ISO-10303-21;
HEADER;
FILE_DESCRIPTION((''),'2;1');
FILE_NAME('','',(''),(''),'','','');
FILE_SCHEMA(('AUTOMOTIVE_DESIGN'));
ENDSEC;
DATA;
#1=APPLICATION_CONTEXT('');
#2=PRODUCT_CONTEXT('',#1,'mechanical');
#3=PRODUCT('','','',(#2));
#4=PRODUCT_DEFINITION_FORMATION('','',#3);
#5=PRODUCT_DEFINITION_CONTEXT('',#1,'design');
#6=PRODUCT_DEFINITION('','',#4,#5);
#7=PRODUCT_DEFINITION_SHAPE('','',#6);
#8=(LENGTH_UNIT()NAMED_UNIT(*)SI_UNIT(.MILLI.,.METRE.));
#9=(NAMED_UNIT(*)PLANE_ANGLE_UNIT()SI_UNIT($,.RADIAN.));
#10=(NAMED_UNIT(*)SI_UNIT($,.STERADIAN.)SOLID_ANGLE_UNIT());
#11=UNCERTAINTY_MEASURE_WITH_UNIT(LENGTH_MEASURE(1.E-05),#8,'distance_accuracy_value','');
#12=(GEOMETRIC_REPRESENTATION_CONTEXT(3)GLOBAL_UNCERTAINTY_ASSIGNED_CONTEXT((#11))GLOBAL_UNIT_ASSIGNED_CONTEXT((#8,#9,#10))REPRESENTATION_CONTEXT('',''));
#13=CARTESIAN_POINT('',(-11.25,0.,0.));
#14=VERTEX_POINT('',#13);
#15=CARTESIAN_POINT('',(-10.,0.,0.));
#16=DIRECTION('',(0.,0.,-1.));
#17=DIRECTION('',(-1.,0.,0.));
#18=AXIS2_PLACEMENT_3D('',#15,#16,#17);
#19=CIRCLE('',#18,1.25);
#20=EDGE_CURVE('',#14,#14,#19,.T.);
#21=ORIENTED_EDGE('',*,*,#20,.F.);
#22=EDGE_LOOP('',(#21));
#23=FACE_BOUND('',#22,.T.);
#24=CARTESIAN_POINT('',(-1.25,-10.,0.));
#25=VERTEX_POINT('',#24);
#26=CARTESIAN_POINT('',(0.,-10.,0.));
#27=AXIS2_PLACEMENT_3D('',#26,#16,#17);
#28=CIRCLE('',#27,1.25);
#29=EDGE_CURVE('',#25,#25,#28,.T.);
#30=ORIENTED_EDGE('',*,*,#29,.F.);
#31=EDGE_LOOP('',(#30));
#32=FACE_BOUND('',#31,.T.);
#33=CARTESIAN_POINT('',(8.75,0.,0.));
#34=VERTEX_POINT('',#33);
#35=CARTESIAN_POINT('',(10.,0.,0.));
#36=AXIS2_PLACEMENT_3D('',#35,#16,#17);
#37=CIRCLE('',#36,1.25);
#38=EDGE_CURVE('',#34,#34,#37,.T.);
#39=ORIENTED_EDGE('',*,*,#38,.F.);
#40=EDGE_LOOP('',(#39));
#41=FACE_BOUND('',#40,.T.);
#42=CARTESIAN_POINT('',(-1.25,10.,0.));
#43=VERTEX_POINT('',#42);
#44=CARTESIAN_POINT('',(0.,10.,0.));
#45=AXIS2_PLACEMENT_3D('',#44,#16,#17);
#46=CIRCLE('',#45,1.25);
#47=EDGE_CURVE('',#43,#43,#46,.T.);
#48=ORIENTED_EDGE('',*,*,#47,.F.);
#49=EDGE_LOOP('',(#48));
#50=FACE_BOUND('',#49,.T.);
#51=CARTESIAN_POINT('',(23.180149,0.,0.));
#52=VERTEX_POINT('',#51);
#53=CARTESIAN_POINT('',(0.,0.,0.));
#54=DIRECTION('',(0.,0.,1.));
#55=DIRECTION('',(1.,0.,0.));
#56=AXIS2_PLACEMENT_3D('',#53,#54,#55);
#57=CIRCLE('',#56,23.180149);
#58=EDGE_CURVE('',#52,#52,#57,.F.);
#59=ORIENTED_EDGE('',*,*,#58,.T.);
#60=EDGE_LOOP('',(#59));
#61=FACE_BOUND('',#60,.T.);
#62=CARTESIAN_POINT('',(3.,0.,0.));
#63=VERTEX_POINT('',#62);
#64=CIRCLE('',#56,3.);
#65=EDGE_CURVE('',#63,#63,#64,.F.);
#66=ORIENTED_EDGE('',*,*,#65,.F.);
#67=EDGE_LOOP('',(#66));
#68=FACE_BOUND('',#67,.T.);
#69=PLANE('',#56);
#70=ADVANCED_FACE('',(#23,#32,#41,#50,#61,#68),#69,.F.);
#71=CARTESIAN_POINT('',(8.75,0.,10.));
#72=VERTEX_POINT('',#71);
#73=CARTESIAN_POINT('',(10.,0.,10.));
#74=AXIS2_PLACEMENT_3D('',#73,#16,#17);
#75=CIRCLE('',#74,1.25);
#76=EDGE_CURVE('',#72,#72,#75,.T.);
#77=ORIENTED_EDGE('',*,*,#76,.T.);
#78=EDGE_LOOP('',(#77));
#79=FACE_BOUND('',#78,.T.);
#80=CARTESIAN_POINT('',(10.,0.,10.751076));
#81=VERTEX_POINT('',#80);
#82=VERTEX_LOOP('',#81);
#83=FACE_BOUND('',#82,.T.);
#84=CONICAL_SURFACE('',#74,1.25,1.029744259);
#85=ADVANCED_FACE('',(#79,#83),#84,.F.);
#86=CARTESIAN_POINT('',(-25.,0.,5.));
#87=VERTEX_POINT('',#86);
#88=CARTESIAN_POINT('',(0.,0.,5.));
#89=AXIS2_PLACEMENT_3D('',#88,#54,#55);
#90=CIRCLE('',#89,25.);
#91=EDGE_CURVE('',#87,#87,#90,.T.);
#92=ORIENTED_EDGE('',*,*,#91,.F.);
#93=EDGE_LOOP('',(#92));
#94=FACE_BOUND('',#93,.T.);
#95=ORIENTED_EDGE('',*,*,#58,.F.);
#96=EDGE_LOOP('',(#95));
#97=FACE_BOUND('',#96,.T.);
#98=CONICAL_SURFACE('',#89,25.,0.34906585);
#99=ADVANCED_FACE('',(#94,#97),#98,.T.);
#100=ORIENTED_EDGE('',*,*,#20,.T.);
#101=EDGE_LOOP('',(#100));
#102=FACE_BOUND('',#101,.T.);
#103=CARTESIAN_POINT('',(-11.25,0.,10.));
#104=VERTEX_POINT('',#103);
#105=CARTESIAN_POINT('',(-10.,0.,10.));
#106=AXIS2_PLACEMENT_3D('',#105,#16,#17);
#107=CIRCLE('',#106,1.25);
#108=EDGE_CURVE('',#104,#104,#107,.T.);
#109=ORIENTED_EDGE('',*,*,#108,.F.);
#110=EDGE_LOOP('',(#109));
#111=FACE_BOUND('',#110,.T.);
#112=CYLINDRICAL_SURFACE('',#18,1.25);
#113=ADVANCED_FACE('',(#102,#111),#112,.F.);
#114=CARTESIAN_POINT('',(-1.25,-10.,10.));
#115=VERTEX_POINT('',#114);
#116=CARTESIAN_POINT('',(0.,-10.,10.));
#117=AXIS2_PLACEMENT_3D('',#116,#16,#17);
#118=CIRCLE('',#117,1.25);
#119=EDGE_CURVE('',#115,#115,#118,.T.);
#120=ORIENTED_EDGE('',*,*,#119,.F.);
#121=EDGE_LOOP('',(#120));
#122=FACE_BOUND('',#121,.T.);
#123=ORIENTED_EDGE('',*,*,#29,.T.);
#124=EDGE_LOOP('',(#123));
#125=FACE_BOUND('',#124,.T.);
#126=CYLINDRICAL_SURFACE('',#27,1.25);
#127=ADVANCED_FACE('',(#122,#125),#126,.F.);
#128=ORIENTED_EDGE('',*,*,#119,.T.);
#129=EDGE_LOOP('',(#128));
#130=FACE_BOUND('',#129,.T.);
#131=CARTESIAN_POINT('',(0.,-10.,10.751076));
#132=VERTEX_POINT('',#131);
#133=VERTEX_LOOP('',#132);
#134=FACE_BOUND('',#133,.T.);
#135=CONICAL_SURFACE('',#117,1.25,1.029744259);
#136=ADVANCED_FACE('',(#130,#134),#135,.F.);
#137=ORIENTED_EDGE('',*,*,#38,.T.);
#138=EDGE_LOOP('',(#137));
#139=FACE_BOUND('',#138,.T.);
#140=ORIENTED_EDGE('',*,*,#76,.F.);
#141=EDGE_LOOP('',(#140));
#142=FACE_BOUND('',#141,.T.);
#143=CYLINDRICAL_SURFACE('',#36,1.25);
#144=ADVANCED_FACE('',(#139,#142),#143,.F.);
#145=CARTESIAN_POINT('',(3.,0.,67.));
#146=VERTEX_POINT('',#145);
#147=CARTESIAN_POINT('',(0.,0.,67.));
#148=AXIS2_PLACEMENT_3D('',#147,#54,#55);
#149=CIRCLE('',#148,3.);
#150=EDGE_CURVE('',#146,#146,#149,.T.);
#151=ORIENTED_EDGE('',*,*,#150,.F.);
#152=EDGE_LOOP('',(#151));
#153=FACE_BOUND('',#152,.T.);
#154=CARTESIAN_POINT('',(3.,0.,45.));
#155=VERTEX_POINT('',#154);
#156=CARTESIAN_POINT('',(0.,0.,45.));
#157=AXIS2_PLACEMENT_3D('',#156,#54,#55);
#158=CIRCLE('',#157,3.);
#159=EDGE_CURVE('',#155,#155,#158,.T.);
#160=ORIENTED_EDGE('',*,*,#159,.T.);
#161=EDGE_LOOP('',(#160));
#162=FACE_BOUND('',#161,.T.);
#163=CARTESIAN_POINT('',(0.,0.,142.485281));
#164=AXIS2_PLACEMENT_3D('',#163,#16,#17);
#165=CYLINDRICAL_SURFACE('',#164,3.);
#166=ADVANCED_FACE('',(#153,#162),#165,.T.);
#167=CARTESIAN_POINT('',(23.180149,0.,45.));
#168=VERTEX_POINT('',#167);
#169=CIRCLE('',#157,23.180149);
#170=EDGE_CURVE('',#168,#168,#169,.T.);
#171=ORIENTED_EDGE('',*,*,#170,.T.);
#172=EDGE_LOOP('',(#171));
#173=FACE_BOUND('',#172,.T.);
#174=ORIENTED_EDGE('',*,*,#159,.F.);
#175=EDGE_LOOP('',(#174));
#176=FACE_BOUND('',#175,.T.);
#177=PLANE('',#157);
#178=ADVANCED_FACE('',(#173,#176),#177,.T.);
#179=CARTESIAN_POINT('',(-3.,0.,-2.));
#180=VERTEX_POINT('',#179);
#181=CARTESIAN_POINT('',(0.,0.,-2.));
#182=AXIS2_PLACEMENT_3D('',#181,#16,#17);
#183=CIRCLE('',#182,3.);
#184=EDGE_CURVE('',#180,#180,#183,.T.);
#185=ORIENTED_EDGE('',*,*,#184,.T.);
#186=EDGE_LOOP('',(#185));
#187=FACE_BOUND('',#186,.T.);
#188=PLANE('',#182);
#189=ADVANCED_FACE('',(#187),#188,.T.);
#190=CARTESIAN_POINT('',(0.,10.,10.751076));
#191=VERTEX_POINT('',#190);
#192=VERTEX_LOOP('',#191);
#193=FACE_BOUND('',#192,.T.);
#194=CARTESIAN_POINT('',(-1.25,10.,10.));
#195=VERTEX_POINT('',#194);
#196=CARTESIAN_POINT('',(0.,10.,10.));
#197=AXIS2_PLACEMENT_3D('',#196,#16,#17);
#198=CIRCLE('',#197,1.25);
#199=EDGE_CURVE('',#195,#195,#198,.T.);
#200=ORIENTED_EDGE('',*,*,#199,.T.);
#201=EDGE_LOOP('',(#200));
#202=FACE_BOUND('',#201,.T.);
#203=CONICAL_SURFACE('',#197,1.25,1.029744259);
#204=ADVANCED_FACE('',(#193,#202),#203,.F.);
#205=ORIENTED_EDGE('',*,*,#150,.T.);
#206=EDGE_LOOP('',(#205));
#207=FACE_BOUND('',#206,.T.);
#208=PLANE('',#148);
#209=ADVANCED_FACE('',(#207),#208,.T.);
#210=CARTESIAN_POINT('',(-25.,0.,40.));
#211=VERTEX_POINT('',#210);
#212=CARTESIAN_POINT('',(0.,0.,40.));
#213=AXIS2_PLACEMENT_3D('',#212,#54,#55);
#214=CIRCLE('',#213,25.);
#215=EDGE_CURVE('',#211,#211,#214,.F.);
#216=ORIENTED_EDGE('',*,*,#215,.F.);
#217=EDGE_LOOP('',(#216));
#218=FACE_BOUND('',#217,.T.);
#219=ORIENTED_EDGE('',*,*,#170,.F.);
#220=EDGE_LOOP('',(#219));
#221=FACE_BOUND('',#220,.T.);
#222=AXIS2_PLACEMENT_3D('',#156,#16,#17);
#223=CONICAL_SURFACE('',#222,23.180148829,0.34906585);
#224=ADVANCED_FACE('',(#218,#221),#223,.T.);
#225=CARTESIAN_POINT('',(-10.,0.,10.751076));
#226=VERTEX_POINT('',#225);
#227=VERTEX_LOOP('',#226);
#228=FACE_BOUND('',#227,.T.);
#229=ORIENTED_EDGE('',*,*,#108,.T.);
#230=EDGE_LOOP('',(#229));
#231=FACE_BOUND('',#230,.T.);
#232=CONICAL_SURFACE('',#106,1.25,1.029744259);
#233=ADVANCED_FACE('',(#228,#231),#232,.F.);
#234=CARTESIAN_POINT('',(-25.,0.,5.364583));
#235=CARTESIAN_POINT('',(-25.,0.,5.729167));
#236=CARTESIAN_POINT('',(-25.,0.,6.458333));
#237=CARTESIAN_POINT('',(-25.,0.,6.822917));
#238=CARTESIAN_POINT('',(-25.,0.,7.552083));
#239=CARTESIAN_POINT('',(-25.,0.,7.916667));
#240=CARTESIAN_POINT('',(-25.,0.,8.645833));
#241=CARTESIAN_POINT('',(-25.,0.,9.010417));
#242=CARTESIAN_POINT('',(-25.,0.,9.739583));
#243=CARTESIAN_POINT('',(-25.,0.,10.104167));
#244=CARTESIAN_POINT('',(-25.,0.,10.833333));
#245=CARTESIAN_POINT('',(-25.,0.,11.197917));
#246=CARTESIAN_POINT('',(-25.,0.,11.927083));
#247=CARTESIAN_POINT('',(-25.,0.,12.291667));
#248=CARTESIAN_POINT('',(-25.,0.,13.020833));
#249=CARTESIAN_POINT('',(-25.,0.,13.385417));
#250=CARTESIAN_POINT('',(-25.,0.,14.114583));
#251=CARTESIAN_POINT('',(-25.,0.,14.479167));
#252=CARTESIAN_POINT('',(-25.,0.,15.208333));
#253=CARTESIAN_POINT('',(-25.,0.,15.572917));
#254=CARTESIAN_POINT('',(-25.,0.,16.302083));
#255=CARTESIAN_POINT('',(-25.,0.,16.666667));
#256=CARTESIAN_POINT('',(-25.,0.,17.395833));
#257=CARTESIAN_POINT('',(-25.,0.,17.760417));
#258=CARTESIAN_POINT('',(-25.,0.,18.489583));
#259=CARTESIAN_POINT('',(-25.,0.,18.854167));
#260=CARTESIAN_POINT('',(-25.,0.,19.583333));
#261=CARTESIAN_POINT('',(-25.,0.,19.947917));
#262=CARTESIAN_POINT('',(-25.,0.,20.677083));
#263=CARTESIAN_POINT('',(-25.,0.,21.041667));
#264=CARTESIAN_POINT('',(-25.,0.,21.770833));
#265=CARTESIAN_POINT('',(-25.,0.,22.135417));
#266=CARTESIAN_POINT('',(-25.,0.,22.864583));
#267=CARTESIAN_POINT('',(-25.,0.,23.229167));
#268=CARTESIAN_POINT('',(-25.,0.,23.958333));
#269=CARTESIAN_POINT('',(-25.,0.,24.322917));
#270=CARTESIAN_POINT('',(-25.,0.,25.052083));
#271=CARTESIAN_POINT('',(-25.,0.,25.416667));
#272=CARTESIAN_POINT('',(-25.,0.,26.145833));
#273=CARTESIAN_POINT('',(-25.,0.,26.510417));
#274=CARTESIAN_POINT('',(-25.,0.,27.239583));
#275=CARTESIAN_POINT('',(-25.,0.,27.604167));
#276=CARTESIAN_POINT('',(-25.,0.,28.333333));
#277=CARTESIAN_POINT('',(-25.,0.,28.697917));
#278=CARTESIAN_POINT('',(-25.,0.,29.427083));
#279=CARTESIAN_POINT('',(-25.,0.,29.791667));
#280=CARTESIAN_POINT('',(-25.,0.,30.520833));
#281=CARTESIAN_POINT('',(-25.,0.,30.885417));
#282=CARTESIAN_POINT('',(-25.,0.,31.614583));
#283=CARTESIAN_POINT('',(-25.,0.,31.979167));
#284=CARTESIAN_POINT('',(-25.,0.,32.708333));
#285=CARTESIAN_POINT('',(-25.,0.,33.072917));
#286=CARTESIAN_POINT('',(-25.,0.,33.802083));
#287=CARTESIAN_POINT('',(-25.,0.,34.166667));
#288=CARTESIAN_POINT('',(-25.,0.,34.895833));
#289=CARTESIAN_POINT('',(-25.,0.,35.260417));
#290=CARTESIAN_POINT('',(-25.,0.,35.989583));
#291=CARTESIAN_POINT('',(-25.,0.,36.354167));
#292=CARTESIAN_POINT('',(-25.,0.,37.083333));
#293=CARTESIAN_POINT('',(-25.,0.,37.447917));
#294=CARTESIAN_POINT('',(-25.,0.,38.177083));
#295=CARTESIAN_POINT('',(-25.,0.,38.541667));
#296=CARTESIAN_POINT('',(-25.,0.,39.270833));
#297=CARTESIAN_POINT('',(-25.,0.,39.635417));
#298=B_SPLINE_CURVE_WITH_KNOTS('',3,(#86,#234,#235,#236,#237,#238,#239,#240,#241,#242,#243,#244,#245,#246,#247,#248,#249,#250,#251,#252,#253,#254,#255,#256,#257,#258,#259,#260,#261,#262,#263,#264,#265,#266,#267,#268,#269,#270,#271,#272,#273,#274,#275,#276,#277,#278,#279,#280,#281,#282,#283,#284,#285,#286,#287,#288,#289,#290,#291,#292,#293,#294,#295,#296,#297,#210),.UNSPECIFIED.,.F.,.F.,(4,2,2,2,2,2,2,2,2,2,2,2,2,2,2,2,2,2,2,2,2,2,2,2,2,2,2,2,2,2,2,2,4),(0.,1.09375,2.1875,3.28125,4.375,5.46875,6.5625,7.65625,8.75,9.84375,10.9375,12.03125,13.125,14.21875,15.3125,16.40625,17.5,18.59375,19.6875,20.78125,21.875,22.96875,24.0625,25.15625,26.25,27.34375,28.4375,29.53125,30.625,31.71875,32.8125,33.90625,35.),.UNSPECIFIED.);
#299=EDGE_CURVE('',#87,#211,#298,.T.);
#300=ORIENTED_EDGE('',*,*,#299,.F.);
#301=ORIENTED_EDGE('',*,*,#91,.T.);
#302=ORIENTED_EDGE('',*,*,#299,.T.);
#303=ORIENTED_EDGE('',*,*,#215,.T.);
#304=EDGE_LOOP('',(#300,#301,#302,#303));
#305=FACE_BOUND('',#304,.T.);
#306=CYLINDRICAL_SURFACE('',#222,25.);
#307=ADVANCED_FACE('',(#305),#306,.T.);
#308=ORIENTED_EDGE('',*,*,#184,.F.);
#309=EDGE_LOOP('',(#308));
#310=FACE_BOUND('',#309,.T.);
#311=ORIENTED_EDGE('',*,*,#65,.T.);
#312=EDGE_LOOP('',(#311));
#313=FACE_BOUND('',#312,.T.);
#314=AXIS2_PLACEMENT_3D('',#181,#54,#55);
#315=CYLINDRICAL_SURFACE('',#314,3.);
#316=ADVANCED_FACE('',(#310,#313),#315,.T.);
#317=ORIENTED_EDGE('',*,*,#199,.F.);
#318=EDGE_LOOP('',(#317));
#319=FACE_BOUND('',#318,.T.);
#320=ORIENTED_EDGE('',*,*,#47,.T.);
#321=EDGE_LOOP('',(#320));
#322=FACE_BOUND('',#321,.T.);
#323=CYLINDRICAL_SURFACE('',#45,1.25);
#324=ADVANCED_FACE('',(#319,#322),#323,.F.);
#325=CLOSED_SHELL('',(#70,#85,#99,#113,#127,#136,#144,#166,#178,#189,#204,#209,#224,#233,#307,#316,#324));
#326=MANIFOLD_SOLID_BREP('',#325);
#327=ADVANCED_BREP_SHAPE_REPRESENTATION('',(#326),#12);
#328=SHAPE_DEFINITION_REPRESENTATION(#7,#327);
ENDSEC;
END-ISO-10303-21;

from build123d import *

# Parameters (mm, degrees)
SKETCH1_R           = 25
BOSS_EXTRUDE1_DEPTH = 45
CHAMFER1_SIZE       = 5
CHAMFER1_SIZE2      = 1.819851171
SKETCH2_R           = 3
BOSS_EXTRUDE2_DEPTH = 22
BOSS_EXTRUDE3_START = 2
SKETCH3_R           = 3
BOSS_EXTRUDE3_DEPTH = 2
CIRPATTERN1_COUNT   = 4


with BuildPart() as part:
    # Sketch1 → Boss-Extrude1 (new body)
    with BuildSketch(Plane.XY):
        with Locations(Location((0, 0, 0), (0, 0, 180))):
            Circle(SKETCH1_R)
    extrude(amount=BOSS_EXTRUDE1_DEPTH)

    # Chamfer1
    chamfer1_edges = [part.edges().sort_by_distance(p)[0] for p in [
        (25, 0, 0),
        (25, 0, 45),
    ]]
    chamfer1_side = [part.faces().sort_by_distance(p)[0] for p in [
        (25, 0, 22.5),
    ]]
    chamfer(chamfer1_edges, length=CHAMFER1_SIZE, length2=CHAMFER1_SIZE2, reference=chamfer1_side[0])

    # Sketch2 → Boss-Extrude2 (add)
    with BuildSketch(Plane.XY.offset(45)):
        Circle(SKETCH2_R)
    extrude(amount=BOSS_EXTRUDE2_DEPTH)

    # Sketch3 → Boss-Extrude3 (add)
    with BuildSketch(Plane(origin=(0, 0, 0), x_dir=(-1, 0, 0), z_dir=(0, 0, -1)).offset(BOSS_EXTRUDE3_START)):
        with Locations(Location((0, 0, 0), (0, 0, 180))):
            Circle(SKETCH3_R)
    extrude(amount=-BOSS_EXTRUDE3_DEPTH)

    # Sketch5 → Tap Drill for M3x0.5 Tap1 (revolve, cut)
    with BuildSketch(Plane(origin=(0, 10, 0), x_dir=(0, 1, 0), z_dir=(1, 0, 0))):
        Polygon((0, 0), (0, 10.751075774), (1.25, 10), (1.25, 0), align=None)
    tap_drill_for_m3x0_5_tap1 = revolve(axis=Axis((0, 10, -6.35), (0, 0, 1)), mode=Mode.SUBTRACT)

    # CirPattern1: Tap Drill for M3x0.5 Tap1 ×4 about axis
    cirpattern1_axis = Axis((0, 0, 0), (0, 0, 1))
    for i in range(1, CIRPATTERN1_COUNT):
        add(tap_drill_for_m3x0_5_tap1.rotate(cirpattern1_axis, i * 360 / CIRPATTERN1_COUNT), mode=Mode.SUBTRACT)


solid = part.part
